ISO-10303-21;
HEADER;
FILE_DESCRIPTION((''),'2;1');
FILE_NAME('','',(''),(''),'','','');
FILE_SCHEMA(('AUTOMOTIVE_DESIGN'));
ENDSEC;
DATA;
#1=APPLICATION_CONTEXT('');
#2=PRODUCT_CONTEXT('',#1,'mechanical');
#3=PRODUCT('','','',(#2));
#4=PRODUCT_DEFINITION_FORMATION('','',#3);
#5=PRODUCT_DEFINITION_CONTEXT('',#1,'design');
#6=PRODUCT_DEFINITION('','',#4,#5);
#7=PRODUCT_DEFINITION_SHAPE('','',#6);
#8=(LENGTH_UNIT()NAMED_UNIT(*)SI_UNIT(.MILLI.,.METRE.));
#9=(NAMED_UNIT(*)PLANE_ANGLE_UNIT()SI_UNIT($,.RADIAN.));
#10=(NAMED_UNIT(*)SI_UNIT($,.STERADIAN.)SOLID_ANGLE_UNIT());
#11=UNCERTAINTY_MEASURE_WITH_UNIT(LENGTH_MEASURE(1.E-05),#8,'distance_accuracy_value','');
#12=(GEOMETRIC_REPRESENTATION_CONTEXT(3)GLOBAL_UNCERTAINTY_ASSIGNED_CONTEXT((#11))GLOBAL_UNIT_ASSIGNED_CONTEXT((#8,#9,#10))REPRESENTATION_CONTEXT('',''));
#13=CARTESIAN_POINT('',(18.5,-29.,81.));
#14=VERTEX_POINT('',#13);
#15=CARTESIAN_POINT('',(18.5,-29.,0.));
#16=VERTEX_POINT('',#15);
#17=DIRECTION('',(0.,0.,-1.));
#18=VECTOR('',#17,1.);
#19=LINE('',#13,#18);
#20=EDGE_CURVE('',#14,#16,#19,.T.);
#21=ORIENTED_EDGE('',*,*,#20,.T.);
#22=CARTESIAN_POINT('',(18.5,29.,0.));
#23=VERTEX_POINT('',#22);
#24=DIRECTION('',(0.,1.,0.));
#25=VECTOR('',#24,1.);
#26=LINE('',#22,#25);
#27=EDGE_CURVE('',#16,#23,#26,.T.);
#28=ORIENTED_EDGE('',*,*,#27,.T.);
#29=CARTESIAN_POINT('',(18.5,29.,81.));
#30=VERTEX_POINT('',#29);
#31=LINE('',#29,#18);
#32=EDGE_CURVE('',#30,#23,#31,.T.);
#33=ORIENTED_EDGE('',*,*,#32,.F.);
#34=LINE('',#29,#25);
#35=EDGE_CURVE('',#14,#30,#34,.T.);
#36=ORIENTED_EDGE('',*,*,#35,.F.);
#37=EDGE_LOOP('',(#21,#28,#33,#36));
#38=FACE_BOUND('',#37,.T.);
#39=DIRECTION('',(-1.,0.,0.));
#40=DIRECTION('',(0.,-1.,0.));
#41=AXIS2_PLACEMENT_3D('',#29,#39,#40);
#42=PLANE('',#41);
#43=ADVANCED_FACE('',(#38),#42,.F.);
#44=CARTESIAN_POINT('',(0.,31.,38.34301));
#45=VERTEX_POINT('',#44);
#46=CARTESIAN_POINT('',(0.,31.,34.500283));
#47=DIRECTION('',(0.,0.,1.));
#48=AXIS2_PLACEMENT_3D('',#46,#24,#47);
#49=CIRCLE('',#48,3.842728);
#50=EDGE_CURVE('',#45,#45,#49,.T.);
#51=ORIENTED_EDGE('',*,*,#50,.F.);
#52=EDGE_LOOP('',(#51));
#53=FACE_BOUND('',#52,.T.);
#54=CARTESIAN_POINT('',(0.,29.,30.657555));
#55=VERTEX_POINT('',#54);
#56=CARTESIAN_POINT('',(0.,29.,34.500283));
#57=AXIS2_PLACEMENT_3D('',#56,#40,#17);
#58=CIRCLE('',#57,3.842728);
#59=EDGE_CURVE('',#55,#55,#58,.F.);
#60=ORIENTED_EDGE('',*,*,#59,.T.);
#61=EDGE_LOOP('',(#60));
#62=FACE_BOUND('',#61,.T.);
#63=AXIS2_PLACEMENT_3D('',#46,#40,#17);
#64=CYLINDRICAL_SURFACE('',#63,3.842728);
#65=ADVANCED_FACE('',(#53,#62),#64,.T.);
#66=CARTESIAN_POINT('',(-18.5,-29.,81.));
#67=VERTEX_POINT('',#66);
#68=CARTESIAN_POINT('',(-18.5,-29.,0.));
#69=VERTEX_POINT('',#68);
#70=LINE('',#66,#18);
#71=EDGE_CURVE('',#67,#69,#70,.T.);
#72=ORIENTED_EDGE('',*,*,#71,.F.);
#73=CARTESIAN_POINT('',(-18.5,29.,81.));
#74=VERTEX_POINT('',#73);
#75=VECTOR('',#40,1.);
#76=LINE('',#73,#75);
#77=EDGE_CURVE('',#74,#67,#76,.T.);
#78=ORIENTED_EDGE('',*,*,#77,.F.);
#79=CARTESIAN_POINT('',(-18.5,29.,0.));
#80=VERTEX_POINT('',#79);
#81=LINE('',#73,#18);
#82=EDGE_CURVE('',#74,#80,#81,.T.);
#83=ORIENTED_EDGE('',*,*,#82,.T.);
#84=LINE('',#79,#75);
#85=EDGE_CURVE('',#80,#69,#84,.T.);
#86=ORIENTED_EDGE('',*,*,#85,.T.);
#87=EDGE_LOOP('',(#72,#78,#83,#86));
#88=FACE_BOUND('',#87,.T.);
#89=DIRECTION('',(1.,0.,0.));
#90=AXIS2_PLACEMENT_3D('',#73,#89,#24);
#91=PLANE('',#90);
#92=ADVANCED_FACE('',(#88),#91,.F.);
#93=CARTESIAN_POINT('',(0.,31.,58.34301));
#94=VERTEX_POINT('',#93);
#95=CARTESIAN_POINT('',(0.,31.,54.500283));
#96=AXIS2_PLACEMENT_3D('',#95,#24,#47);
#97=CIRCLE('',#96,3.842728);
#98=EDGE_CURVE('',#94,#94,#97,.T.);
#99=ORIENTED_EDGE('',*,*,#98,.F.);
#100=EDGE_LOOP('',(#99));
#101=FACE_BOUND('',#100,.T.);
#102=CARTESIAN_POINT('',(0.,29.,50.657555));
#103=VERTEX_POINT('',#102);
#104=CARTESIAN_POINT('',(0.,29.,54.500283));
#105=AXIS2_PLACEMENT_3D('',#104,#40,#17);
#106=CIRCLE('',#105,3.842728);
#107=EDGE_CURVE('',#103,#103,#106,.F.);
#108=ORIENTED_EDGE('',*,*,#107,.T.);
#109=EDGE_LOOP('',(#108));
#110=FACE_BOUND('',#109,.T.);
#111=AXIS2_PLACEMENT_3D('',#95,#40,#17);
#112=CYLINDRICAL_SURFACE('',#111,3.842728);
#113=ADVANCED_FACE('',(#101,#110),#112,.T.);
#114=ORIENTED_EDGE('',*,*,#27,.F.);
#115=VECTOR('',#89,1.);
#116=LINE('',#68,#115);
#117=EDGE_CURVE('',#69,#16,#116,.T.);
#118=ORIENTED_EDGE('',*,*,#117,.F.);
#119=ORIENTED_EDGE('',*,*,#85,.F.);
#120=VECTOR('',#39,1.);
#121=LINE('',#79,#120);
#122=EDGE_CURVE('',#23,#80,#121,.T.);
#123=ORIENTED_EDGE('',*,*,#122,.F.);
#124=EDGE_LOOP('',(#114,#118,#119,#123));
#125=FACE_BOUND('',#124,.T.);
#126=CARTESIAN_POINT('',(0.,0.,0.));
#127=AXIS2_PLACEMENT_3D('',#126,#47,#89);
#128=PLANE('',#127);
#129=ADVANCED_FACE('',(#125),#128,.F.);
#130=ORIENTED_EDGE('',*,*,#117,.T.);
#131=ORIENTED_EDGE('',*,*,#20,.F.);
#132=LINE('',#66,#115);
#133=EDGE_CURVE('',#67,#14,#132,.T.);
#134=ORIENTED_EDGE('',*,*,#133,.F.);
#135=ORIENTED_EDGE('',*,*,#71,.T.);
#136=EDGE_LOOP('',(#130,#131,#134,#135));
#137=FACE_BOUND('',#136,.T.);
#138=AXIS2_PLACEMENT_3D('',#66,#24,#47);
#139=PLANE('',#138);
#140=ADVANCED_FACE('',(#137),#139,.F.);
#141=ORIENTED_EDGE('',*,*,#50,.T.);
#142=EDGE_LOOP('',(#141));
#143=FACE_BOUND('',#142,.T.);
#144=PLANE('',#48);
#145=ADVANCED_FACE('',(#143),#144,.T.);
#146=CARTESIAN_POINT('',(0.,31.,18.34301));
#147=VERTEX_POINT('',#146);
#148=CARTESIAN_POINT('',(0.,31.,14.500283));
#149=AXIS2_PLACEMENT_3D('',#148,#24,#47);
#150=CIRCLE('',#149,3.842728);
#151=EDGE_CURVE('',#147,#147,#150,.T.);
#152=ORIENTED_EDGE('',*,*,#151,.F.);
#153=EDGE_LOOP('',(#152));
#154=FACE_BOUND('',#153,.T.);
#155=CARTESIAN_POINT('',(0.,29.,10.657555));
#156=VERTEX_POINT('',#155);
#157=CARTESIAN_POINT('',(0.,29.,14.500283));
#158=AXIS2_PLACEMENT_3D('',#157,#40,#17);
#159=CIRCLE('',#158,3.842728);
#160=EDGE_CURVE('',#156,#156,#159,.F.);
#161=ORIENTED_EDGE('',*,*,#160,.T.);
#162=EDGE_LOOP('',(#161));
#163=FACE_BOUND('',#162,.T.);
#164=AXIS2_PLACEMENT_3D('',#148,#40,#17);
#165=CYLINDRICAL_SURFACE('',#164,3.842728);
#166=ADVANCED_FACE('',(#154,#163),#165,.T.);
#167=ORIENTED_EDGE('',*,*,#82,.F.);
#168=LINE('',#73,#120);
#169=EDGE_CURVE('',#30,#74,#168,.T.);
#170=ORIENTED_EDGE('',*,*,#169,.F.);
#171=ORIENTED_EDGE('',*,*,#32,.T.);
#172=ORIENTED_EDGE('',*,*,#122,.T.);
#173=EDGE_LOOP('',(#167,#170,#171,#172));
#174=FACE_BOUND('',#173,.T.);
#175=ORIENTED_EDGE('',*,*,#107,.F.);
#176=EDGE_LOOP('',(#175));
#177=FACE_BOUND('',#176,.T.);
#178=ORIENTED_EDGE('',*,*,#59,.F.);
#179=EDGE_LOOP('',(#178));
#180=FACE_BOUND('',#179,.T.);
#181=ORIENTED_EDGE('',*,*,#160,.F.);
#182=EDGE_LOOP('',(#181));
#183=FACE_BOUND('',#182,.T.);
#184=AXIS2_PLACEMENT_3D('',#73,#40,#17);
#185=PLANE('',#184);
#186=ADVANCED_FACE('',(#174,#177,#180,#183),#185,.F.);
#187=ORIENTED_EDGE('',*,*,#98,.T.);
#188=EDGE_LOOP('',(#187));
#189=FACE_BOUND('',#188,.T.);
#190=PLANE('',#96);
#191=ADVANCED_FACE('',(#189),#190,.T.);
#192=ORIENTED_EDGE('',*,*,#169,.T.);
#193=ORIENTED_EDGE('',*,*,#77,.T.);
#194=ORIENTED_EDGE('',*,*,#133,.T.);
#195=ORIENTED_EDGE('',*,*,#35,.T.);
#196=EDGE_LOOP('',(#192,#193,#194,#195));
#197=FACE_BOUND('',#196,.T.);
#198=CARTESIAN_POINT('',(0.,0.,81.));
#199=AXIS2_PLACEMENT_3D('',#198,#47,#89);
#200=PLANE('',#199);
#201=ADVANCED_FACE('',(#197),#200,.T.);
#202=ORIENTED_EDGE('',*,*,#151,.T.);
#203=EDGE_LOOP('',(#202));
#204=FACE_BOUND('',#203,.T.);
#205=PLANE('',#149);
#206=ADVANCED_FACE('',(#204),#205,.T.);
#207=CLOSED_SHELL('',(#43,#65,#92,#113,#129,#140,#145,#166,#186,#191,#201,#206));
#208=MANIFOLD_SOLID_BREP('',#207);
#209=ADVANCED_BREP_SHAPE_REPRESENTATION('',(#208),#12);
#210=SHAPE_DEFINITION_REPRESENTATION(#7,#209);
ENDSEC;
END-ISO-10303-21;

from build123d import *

# Parameters (mm, degrees)
SKETCH_1_W      = 37
SKETCH_1_H      = 58
EXTRUDE_1_DEPTH = 81
SKETCH_3_R      = 3.842727579
EXTRUDE_2_DEPTH = 2


with BuildPart() as part:
    # 草图1 → 凸台-拉伸1 (new body)
    with BuildSketch(Plane.XY):
        Rectangle(SKETCH_1_W, SKETCH_1_H)
    extrude(amount=EXTRUDE_1_DEPTH)

    # 草图3 → 凸台-拉伸2 (add)
    with BuildSketch(Plane(origin=(0, 29, 0), x_dir=(1, 0, 0), z_dir=(0, 1, 0))):
        with Locations((0, -14.500282865)):
            Circle(SKETCH_3_R)
        with Locations((0, -34.500282865)):
            Circle(SKETCH_3_R)
        with Locations((0, -54.500282865)):
            Circle(SKETCH_3_R)
    extrude(amount=EXTRUDE_2_DEPTH)


solid = part.part
